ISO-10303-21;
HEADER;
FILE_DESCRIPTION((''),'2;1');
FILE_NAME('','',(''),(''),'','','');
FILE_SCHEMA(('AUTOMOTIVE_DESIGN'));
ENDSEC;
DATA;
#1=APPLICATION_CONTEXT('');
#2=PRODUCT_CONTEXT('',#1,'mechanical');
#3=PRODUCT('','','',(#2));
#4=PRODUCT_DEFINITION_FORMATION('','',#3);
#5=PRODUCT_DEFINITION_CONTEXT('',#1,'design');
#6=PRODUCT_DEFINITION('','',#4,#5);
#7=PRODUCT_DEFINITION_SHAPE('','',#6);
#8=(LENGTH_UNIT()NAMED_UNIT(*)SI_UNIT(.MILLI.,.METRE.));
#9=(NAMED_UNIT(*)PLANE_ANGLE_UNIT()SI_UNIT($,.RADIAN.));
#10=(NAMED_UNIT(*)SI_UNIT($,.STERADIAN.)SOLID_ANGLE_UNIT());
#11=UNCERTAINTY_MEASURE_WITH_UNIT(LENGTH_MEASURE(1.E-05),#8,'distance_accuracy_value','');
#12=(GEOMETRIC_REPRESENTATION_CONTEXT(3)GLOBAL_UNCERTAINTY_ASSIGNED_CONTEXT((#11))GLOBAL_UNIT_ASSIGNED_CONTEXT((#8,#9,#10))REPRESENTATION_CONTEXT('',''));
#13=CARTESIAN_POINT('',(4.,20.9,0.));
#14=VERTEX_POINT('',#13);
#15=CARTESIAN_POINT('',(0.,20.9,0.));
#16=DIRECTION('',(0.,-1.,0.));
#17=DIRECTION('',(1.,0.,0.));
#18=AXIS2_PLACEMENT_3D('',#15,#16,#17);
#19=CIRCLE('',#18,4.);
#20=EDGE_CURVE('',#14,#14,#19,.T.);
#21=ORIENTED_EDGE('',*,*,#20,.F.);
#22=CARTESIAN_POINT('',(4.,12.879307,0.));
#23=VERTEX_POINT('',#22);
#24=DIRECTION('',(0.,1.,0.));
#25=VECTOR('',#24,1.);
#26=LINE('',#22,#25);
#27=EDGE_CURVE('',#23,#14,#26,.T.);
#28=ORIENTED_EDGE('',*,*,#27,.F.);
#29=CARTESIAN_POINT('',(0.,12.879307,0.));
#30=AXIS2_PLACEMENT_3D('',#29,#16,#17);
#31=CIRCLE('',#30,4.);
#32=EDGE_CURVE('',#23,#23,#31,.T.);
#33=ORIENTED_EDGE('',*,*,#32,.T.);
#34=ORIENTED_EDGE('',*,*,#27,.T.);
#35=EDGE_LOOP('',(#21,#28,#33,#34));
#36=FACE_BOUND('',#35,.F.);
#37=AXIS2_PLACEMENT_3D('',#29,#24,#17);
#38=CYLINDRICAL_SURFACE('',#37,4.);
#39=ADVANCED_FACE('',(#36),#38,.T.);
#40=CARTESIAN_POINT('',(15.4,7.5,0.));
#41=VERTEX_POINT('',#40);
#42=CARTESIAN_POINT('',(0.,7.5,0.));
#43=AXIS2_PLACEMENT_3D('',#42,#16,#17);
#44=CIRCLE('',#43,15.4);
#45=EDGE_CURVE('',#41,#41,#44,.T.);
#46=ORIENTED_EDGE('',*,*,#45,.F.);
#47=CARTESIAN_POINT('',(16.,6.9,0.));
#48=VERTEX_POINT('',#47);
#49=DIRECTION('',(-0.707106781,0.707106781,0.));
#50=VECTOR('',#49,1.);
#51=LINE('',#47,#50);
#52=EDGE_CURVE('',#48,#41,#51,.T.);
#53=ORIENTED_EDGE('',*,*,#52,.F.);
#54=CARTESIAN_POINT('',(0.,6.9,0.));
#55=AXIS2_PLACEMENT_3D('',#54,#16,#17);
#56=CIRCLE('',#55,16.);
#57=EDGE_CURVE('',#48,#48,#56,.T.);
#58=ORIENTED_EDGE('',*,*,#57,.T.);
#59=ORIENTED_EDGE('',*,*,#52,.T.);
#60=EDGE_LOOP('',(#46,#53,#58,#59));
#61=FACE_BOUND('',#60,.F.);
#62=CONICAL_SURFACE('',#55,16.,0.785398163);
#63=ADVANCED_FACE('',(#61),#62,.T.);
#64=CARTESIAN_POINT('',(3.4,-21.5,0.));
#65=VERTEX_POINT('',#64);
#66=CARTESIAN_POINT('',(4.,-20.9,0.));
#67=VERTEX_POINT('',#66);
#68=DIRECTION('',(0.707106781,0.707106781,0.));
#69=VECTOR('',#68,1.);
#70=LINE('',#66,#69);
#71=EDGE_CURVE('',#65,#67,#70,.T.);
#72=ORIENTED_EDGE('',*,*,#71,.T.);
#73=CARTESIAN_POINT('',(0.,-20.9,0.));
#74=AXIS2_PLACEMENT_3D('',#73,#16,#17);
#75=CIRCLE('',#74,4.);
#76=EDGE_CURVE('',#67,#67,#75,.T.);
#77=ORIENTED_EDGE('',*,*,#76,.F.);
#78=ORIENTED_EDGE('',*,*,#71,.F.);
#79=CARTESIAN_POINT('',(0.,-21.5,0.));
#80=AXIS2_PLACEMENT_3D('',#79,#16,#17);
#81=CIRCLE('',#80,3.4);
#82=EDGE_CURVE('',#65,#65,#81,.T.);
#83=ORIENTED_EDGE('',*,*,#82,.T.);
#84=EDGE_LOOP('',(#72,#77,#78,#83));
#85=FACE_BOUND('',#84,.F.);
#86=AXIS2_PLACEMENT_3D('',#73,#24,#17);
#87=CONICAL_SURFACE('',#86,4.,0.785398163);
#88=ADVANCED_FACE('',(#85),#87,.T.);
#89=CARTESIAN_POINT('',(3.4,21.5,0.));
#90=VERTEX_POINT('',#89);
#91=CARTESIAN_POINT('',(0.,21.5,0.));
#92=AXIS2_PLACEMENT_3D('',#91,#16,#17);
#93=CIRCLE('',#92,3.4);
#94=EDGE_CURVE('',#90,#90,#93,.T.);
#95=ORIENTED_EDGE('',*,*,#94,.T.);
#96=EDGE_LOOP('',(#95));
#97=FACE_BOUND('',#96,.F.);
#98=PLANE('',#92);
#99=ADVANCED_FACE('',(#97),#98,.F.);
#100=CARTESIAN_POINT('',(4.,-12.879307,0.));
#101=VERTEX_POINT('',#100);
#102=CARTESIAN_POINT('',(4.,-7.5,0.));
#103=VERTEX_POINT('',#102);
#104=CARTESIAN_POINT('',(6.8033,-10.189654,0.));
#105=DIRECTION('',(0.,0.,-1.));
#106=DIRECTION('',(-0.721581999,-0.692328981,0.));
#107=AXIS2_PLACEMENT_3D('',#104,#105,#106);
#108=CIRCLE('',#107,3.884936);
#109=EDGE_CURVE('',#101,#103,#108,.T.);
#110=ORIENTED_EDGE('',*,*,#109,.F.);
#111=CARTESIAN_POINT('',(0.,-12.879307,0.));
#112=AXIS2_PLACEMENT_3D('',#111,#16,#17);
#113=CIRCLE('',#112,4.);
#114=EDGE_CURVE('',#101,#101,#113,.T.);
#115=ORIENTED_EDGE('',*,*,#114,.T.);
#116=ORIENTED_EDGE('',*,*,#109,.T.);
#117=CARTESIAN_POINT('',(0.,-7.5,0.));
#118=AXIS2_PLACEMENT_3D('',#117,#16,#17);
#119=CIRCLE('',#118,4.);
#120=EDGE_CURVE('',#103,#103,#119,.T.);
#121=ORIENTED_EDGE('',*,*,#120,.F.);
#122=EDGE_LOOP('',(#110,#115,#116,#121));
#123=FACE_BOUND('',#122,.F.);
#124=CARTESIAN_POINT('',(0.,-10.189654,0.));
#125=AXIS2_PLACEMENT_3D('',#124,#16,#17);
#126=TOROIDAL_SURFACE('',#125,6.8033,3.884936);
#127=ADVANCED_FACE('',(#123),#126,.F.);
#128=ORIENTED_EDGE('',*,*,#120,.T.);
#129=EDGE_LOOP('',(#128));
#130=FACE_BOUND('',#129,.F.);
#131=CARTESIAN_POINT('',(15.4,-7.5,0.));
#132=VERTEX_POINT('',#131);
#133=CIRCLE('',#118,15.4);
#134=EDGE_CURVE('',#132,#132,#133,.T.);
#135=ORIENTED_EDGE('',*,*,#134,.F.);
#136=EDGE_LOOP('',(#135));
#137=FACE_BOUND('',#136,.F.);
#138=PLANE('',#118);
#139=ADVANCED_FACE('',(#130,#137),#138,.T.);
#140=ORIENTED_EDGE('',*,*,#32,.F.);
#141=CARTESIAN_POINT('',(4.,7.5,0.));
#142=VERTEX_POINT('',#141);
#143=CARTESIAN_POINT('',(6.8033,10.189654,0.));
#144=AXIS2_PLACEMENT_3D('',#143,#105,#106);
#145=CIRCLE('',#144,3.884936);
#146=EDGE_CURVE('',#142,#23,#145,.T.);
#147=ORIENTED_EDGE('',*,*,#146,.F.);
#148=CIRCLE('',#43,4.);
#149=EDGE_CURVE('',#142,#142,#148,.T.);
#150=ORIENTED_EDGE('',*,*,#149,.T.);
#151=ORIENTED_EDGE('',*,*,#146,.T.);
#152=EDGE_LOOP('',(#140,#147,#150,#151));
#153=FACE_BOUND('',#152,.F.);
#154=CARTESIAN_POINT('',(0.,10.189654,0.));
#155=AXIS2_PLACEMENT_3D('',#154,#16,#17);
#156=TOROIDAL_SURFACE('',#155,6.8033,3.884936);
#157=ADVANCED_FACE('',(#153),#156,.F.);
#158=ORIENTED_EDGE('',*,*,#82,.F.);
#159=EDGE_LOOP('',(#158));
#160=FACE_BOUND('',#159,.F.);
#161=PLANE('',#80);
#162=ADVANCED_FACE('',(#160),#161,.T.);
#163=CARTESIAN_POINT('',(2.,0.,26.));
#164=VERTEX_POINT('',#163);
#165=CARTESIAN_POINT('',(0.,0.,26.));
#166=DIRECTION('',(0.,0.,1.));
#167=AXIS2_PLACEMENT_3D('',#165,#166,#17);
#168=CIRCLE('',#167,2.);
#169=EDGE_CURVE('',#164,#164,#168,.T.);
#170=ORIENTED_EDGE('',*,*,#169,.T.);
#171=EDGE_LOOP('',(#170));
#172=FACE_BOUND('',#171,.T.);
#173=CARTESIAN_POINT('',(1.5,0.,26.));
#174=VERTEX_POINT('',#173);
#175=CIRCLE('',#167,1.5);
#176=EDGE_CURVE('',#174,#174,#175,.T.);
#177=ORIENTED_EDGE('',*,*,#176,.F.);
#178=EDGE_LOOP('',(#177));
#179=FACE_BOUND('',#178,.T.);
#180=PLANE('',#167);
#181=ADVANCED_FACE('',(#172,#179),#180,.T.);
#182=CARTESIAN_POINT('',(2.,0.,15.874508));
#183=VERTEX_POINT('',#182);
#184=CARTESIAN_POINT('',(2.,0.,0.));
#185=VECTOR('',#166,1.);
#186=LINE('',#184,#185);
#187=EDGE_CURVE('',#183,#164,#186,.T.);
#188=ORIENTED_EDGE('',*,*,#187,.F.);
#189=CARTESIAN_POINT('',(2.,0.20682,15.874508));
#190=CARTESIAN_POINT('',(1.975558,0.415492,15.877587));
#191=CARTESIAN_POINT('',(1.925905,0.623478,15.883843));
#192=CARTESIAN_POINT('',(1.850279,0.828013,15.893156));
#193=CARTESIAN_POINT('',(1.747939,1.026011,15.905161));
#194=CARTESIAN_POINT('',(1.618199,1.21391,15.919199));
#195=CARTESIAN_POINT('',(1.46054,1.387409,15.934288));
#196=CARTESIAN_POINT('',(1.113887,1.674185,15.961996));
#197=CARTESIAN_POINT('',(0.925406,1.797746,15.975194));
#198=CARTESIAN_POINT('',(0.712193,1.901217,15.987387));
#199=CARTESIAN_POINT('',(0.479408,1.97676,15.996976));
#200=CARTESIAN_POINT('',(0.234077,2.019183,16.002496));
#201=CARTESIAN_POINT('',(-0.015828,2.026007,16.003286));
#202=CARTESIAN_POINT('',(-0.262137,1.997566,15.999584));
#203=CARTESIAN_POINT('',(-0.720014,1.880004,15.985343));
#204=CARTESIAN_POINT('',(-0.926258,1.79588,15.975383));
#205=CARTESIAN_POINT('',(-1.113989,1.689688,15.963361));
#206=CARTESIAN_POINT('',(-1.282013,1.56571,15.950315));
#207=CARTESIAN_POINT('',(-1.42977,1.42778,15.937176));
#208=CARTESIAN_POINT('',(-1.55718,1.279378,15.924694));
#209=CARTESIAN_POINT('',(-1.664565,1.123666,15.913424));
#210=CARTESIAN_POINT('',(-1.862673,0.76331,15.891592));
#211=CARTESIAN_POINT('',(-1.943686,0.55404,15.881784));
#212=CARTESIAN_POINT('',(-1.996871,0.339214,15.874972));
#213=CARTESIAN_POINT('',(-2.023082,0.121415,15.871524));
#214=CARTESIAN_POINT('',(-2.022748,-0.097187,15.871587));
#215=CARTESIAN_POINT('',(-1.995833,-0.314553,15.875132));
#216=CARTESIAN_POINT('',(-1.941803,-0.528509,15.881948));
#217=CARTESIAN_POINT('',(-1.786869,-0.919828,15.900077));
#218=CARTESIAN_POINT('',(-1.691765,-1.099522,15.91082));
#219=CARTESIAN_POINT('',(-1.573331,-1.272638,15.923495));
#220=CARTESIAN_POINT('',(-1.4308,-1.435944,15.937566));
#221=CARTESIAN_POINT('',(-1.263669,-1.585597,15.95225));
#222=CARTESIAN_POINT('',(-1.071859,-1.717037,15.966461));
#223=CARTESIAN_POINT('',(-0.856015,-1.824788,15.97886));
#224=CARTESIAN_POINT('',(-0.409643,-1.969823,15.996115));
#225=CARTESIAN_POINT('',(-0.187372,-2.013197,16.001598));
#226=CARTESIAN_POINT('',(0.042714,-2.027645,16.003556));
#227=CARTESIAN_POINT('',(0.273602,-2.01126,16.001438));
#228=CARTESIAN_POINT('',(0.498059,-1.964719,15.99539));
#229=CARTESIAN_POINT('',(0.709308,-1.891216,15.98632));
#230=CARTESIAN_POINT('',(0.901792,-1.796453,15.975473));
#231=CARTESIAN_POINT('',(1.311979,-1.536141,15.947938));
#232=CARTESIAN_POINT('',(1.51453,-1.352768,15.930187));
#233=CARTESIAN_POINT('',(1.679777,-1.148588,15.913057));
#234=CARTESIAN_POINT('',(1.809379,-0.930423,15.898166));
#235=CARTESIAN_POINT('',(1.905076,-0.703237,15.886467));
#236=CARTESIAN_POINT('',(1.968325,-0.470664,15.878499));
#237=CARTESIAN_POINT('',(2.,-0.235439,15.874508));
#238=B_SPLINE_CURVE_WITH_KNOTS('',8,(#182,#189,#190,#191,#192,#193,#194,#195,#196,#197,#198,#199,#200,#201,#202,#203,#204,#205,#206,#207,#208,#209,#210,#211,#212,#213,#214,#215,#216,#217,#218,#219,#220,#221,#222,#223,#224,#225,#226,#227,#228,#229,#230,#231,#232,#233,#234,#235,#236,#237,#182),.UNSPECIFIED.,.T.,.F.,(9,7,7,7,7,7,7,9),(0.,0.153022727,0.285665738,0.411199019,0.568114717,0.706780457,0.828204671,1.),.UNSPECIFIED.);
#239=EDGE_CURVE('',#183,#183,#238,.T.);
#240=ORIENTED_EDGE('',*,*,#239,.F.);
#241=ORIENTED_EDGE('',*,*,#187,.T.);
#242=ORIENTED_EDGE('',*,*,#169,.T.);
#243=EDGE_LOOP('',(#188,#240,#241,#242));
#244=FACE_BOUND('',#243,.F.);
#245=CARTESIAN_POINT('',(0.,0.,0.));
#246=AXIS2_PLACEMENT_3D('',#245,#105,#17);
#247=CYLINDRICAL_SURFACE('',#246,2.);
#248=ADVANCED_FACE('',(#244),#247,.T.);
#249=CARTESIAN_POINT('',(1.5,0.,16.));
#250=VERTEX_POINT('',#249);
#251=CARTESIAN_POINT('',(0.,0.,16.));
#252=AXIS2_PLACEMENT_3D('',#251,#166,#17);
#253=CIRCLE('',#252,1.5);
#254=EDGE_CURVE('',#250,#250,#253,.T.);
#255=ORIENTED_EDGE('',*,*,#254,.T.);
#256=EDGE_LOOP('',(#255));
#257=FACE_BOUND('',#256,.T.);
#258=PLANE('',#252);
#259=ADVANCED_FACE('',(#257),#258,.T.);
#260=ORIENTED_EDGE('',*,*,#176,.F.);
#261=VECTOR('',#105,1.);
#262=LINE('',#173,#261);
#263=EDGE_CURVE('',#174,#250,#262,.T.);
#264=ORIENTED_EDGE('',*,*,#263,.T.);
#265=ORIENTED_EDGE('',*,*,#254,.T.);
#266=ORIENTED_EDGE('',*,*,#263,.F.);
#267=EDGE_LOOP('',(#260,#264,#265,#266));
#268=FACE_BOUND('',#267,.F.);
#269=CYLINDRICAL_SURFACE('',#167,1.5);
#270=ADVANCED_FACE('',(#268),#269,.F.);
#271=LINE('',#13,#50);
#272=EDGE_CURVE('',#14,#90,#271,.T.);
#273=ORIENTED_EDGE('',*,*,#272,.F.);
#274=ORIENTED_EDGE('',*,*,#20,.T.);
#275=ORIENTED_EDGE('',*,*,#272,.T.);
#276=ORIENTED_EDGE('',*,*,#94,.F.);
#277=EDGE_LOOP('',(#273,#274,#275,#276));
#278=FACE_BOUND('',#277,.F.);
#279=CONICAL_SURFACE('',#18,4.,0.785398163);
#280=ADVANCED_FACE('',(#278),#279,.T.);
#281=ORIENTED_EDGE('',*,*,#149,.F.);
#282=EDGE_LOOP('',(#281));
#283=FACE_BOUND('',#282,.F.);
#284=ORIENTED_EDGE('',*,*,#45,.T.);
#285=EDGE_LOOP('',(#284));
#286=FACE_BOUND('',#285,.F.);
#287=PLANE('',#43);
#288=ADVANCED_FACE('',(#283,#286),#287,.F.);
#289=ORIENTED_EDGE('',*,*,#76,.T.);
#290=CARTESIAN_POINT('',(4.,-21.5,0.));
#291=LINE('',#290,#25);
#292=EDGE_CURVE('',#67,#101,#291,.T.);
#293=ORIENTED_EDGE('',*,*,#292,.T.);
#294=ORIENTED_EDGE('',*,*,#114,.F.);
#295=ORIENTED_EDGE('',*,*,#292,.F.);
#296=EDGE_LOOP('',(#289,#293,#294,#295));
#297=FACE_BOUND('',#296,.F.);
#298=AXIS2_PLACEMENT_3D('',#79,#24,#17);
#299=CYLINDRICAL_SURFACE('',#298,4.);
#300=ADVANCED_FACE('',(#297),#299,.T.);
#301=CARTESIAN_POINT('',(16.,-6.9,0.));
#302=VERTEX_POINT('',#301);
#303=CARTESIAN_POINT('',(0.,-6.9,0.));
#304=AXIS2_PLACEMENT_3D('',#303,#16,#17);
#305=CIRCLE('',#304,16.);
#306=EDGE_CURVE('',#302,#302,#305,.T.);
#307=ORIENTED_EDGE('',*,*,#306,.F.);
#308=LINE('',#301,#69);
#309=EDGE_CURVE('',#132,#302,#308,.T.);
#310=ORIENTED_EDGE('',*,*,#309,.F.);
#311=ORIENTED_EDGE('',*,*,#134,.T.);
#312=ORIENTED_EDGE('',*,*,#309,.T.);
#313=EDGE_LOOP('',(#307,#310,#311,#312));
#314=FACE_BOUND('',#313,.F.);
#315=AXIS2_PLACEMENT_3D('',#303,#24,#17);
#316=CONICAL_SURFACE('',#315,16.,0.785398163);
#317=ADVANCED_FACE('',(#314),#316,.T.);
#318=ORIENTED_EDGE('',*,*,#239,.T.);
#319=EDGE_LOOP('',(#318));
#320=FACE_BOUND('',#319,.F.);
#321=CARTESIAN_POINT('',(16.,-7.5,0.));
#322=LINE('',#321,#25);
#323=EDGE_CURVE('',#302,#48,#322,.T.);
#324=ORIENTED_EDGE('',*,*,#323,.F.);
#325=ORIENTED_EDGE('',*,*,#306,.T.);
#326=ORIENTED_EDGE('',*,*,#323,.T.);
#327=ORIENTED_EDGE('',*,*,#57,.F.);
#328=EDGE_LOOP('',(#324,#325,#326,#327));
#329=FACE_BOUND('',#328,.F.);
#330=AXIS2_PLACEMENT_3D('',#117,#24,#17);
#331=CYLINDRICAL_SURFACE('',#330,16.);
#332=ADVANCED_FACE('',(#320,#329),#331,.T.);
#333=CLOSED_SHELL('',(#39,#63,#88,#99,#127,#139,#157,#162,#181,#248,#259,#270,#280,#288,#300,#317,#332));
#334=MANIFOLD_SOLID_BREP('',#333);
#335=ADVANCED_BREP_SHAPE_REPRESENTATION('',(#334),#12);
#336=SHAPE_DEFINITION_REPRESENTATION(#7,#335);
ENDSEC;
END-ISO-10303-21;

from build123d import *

# Parameters (mm, degrees)
F2_SIZE  = 0.6
F3_R     = 2
F4_DEPTH = 26
F5_R     = 1.5
F6_DEPTH = 10


with BuildPart() as f1:
    # F0 (on Top) → F1 (revolve)
    with BuildSketch(Plane.XY):
        with BuildLine():
            Line((0, 21.5), (0, 0))
            Line((0, 0), (16, 0))
            Line((16, 0), (16, 7.5))
            Line((16, 7.5), (4, 7.5))
            ThreePointArc((4, 7.5), (2.918364, 10.189654), (4, 12.879307))
            Line((4, 12.879307), (4, 21.5))
            Line((4, 21.5), (0, 21.5))
        make_face()
        with BuildLine():
            Line((16, 0), (0, 0))
            Line((0, 0), (0, -21.5))
            Line((0, -21.5), (4, -21.5))
            Line((4, -21.5), (4, -12.879307))
            ThreePointArc((4, -12.879307), (2.918364, -10.189654), (4, -7.5))
            Line((4, -7.5), (16, -7.5))
            Line((16, -7.5), (16, 0))
        make_face()
    revolve(axis=Axis((0, 10.75, 0), (0, -1, 0)))

    # F2
    f2_edges = [f1.edges().sort_by_distance(p)[0] for p in [
        (-4, 21.5, 0),
        (-16, 7.5, 0),
        (-16, -7.5, 0),
        (-4, -21.5, 0),
    ]]
    chamfer(f2_edges, length=F2_SIZE)

    # F3 (on Top) → F4 (join)
    with BuildSketch(Plane.XY):
        Circle(F3_R)
    extrude(amount=F4_DEPTH)

    # F5 (on face) → F6 (cut)
    with BuildSketch(Plane.XY.offset(26)):
        Circle(F5_R)
    extrude(amount=-F6_DEPTH, mode=Mode.SUBTRACT)


solid = f1.part
